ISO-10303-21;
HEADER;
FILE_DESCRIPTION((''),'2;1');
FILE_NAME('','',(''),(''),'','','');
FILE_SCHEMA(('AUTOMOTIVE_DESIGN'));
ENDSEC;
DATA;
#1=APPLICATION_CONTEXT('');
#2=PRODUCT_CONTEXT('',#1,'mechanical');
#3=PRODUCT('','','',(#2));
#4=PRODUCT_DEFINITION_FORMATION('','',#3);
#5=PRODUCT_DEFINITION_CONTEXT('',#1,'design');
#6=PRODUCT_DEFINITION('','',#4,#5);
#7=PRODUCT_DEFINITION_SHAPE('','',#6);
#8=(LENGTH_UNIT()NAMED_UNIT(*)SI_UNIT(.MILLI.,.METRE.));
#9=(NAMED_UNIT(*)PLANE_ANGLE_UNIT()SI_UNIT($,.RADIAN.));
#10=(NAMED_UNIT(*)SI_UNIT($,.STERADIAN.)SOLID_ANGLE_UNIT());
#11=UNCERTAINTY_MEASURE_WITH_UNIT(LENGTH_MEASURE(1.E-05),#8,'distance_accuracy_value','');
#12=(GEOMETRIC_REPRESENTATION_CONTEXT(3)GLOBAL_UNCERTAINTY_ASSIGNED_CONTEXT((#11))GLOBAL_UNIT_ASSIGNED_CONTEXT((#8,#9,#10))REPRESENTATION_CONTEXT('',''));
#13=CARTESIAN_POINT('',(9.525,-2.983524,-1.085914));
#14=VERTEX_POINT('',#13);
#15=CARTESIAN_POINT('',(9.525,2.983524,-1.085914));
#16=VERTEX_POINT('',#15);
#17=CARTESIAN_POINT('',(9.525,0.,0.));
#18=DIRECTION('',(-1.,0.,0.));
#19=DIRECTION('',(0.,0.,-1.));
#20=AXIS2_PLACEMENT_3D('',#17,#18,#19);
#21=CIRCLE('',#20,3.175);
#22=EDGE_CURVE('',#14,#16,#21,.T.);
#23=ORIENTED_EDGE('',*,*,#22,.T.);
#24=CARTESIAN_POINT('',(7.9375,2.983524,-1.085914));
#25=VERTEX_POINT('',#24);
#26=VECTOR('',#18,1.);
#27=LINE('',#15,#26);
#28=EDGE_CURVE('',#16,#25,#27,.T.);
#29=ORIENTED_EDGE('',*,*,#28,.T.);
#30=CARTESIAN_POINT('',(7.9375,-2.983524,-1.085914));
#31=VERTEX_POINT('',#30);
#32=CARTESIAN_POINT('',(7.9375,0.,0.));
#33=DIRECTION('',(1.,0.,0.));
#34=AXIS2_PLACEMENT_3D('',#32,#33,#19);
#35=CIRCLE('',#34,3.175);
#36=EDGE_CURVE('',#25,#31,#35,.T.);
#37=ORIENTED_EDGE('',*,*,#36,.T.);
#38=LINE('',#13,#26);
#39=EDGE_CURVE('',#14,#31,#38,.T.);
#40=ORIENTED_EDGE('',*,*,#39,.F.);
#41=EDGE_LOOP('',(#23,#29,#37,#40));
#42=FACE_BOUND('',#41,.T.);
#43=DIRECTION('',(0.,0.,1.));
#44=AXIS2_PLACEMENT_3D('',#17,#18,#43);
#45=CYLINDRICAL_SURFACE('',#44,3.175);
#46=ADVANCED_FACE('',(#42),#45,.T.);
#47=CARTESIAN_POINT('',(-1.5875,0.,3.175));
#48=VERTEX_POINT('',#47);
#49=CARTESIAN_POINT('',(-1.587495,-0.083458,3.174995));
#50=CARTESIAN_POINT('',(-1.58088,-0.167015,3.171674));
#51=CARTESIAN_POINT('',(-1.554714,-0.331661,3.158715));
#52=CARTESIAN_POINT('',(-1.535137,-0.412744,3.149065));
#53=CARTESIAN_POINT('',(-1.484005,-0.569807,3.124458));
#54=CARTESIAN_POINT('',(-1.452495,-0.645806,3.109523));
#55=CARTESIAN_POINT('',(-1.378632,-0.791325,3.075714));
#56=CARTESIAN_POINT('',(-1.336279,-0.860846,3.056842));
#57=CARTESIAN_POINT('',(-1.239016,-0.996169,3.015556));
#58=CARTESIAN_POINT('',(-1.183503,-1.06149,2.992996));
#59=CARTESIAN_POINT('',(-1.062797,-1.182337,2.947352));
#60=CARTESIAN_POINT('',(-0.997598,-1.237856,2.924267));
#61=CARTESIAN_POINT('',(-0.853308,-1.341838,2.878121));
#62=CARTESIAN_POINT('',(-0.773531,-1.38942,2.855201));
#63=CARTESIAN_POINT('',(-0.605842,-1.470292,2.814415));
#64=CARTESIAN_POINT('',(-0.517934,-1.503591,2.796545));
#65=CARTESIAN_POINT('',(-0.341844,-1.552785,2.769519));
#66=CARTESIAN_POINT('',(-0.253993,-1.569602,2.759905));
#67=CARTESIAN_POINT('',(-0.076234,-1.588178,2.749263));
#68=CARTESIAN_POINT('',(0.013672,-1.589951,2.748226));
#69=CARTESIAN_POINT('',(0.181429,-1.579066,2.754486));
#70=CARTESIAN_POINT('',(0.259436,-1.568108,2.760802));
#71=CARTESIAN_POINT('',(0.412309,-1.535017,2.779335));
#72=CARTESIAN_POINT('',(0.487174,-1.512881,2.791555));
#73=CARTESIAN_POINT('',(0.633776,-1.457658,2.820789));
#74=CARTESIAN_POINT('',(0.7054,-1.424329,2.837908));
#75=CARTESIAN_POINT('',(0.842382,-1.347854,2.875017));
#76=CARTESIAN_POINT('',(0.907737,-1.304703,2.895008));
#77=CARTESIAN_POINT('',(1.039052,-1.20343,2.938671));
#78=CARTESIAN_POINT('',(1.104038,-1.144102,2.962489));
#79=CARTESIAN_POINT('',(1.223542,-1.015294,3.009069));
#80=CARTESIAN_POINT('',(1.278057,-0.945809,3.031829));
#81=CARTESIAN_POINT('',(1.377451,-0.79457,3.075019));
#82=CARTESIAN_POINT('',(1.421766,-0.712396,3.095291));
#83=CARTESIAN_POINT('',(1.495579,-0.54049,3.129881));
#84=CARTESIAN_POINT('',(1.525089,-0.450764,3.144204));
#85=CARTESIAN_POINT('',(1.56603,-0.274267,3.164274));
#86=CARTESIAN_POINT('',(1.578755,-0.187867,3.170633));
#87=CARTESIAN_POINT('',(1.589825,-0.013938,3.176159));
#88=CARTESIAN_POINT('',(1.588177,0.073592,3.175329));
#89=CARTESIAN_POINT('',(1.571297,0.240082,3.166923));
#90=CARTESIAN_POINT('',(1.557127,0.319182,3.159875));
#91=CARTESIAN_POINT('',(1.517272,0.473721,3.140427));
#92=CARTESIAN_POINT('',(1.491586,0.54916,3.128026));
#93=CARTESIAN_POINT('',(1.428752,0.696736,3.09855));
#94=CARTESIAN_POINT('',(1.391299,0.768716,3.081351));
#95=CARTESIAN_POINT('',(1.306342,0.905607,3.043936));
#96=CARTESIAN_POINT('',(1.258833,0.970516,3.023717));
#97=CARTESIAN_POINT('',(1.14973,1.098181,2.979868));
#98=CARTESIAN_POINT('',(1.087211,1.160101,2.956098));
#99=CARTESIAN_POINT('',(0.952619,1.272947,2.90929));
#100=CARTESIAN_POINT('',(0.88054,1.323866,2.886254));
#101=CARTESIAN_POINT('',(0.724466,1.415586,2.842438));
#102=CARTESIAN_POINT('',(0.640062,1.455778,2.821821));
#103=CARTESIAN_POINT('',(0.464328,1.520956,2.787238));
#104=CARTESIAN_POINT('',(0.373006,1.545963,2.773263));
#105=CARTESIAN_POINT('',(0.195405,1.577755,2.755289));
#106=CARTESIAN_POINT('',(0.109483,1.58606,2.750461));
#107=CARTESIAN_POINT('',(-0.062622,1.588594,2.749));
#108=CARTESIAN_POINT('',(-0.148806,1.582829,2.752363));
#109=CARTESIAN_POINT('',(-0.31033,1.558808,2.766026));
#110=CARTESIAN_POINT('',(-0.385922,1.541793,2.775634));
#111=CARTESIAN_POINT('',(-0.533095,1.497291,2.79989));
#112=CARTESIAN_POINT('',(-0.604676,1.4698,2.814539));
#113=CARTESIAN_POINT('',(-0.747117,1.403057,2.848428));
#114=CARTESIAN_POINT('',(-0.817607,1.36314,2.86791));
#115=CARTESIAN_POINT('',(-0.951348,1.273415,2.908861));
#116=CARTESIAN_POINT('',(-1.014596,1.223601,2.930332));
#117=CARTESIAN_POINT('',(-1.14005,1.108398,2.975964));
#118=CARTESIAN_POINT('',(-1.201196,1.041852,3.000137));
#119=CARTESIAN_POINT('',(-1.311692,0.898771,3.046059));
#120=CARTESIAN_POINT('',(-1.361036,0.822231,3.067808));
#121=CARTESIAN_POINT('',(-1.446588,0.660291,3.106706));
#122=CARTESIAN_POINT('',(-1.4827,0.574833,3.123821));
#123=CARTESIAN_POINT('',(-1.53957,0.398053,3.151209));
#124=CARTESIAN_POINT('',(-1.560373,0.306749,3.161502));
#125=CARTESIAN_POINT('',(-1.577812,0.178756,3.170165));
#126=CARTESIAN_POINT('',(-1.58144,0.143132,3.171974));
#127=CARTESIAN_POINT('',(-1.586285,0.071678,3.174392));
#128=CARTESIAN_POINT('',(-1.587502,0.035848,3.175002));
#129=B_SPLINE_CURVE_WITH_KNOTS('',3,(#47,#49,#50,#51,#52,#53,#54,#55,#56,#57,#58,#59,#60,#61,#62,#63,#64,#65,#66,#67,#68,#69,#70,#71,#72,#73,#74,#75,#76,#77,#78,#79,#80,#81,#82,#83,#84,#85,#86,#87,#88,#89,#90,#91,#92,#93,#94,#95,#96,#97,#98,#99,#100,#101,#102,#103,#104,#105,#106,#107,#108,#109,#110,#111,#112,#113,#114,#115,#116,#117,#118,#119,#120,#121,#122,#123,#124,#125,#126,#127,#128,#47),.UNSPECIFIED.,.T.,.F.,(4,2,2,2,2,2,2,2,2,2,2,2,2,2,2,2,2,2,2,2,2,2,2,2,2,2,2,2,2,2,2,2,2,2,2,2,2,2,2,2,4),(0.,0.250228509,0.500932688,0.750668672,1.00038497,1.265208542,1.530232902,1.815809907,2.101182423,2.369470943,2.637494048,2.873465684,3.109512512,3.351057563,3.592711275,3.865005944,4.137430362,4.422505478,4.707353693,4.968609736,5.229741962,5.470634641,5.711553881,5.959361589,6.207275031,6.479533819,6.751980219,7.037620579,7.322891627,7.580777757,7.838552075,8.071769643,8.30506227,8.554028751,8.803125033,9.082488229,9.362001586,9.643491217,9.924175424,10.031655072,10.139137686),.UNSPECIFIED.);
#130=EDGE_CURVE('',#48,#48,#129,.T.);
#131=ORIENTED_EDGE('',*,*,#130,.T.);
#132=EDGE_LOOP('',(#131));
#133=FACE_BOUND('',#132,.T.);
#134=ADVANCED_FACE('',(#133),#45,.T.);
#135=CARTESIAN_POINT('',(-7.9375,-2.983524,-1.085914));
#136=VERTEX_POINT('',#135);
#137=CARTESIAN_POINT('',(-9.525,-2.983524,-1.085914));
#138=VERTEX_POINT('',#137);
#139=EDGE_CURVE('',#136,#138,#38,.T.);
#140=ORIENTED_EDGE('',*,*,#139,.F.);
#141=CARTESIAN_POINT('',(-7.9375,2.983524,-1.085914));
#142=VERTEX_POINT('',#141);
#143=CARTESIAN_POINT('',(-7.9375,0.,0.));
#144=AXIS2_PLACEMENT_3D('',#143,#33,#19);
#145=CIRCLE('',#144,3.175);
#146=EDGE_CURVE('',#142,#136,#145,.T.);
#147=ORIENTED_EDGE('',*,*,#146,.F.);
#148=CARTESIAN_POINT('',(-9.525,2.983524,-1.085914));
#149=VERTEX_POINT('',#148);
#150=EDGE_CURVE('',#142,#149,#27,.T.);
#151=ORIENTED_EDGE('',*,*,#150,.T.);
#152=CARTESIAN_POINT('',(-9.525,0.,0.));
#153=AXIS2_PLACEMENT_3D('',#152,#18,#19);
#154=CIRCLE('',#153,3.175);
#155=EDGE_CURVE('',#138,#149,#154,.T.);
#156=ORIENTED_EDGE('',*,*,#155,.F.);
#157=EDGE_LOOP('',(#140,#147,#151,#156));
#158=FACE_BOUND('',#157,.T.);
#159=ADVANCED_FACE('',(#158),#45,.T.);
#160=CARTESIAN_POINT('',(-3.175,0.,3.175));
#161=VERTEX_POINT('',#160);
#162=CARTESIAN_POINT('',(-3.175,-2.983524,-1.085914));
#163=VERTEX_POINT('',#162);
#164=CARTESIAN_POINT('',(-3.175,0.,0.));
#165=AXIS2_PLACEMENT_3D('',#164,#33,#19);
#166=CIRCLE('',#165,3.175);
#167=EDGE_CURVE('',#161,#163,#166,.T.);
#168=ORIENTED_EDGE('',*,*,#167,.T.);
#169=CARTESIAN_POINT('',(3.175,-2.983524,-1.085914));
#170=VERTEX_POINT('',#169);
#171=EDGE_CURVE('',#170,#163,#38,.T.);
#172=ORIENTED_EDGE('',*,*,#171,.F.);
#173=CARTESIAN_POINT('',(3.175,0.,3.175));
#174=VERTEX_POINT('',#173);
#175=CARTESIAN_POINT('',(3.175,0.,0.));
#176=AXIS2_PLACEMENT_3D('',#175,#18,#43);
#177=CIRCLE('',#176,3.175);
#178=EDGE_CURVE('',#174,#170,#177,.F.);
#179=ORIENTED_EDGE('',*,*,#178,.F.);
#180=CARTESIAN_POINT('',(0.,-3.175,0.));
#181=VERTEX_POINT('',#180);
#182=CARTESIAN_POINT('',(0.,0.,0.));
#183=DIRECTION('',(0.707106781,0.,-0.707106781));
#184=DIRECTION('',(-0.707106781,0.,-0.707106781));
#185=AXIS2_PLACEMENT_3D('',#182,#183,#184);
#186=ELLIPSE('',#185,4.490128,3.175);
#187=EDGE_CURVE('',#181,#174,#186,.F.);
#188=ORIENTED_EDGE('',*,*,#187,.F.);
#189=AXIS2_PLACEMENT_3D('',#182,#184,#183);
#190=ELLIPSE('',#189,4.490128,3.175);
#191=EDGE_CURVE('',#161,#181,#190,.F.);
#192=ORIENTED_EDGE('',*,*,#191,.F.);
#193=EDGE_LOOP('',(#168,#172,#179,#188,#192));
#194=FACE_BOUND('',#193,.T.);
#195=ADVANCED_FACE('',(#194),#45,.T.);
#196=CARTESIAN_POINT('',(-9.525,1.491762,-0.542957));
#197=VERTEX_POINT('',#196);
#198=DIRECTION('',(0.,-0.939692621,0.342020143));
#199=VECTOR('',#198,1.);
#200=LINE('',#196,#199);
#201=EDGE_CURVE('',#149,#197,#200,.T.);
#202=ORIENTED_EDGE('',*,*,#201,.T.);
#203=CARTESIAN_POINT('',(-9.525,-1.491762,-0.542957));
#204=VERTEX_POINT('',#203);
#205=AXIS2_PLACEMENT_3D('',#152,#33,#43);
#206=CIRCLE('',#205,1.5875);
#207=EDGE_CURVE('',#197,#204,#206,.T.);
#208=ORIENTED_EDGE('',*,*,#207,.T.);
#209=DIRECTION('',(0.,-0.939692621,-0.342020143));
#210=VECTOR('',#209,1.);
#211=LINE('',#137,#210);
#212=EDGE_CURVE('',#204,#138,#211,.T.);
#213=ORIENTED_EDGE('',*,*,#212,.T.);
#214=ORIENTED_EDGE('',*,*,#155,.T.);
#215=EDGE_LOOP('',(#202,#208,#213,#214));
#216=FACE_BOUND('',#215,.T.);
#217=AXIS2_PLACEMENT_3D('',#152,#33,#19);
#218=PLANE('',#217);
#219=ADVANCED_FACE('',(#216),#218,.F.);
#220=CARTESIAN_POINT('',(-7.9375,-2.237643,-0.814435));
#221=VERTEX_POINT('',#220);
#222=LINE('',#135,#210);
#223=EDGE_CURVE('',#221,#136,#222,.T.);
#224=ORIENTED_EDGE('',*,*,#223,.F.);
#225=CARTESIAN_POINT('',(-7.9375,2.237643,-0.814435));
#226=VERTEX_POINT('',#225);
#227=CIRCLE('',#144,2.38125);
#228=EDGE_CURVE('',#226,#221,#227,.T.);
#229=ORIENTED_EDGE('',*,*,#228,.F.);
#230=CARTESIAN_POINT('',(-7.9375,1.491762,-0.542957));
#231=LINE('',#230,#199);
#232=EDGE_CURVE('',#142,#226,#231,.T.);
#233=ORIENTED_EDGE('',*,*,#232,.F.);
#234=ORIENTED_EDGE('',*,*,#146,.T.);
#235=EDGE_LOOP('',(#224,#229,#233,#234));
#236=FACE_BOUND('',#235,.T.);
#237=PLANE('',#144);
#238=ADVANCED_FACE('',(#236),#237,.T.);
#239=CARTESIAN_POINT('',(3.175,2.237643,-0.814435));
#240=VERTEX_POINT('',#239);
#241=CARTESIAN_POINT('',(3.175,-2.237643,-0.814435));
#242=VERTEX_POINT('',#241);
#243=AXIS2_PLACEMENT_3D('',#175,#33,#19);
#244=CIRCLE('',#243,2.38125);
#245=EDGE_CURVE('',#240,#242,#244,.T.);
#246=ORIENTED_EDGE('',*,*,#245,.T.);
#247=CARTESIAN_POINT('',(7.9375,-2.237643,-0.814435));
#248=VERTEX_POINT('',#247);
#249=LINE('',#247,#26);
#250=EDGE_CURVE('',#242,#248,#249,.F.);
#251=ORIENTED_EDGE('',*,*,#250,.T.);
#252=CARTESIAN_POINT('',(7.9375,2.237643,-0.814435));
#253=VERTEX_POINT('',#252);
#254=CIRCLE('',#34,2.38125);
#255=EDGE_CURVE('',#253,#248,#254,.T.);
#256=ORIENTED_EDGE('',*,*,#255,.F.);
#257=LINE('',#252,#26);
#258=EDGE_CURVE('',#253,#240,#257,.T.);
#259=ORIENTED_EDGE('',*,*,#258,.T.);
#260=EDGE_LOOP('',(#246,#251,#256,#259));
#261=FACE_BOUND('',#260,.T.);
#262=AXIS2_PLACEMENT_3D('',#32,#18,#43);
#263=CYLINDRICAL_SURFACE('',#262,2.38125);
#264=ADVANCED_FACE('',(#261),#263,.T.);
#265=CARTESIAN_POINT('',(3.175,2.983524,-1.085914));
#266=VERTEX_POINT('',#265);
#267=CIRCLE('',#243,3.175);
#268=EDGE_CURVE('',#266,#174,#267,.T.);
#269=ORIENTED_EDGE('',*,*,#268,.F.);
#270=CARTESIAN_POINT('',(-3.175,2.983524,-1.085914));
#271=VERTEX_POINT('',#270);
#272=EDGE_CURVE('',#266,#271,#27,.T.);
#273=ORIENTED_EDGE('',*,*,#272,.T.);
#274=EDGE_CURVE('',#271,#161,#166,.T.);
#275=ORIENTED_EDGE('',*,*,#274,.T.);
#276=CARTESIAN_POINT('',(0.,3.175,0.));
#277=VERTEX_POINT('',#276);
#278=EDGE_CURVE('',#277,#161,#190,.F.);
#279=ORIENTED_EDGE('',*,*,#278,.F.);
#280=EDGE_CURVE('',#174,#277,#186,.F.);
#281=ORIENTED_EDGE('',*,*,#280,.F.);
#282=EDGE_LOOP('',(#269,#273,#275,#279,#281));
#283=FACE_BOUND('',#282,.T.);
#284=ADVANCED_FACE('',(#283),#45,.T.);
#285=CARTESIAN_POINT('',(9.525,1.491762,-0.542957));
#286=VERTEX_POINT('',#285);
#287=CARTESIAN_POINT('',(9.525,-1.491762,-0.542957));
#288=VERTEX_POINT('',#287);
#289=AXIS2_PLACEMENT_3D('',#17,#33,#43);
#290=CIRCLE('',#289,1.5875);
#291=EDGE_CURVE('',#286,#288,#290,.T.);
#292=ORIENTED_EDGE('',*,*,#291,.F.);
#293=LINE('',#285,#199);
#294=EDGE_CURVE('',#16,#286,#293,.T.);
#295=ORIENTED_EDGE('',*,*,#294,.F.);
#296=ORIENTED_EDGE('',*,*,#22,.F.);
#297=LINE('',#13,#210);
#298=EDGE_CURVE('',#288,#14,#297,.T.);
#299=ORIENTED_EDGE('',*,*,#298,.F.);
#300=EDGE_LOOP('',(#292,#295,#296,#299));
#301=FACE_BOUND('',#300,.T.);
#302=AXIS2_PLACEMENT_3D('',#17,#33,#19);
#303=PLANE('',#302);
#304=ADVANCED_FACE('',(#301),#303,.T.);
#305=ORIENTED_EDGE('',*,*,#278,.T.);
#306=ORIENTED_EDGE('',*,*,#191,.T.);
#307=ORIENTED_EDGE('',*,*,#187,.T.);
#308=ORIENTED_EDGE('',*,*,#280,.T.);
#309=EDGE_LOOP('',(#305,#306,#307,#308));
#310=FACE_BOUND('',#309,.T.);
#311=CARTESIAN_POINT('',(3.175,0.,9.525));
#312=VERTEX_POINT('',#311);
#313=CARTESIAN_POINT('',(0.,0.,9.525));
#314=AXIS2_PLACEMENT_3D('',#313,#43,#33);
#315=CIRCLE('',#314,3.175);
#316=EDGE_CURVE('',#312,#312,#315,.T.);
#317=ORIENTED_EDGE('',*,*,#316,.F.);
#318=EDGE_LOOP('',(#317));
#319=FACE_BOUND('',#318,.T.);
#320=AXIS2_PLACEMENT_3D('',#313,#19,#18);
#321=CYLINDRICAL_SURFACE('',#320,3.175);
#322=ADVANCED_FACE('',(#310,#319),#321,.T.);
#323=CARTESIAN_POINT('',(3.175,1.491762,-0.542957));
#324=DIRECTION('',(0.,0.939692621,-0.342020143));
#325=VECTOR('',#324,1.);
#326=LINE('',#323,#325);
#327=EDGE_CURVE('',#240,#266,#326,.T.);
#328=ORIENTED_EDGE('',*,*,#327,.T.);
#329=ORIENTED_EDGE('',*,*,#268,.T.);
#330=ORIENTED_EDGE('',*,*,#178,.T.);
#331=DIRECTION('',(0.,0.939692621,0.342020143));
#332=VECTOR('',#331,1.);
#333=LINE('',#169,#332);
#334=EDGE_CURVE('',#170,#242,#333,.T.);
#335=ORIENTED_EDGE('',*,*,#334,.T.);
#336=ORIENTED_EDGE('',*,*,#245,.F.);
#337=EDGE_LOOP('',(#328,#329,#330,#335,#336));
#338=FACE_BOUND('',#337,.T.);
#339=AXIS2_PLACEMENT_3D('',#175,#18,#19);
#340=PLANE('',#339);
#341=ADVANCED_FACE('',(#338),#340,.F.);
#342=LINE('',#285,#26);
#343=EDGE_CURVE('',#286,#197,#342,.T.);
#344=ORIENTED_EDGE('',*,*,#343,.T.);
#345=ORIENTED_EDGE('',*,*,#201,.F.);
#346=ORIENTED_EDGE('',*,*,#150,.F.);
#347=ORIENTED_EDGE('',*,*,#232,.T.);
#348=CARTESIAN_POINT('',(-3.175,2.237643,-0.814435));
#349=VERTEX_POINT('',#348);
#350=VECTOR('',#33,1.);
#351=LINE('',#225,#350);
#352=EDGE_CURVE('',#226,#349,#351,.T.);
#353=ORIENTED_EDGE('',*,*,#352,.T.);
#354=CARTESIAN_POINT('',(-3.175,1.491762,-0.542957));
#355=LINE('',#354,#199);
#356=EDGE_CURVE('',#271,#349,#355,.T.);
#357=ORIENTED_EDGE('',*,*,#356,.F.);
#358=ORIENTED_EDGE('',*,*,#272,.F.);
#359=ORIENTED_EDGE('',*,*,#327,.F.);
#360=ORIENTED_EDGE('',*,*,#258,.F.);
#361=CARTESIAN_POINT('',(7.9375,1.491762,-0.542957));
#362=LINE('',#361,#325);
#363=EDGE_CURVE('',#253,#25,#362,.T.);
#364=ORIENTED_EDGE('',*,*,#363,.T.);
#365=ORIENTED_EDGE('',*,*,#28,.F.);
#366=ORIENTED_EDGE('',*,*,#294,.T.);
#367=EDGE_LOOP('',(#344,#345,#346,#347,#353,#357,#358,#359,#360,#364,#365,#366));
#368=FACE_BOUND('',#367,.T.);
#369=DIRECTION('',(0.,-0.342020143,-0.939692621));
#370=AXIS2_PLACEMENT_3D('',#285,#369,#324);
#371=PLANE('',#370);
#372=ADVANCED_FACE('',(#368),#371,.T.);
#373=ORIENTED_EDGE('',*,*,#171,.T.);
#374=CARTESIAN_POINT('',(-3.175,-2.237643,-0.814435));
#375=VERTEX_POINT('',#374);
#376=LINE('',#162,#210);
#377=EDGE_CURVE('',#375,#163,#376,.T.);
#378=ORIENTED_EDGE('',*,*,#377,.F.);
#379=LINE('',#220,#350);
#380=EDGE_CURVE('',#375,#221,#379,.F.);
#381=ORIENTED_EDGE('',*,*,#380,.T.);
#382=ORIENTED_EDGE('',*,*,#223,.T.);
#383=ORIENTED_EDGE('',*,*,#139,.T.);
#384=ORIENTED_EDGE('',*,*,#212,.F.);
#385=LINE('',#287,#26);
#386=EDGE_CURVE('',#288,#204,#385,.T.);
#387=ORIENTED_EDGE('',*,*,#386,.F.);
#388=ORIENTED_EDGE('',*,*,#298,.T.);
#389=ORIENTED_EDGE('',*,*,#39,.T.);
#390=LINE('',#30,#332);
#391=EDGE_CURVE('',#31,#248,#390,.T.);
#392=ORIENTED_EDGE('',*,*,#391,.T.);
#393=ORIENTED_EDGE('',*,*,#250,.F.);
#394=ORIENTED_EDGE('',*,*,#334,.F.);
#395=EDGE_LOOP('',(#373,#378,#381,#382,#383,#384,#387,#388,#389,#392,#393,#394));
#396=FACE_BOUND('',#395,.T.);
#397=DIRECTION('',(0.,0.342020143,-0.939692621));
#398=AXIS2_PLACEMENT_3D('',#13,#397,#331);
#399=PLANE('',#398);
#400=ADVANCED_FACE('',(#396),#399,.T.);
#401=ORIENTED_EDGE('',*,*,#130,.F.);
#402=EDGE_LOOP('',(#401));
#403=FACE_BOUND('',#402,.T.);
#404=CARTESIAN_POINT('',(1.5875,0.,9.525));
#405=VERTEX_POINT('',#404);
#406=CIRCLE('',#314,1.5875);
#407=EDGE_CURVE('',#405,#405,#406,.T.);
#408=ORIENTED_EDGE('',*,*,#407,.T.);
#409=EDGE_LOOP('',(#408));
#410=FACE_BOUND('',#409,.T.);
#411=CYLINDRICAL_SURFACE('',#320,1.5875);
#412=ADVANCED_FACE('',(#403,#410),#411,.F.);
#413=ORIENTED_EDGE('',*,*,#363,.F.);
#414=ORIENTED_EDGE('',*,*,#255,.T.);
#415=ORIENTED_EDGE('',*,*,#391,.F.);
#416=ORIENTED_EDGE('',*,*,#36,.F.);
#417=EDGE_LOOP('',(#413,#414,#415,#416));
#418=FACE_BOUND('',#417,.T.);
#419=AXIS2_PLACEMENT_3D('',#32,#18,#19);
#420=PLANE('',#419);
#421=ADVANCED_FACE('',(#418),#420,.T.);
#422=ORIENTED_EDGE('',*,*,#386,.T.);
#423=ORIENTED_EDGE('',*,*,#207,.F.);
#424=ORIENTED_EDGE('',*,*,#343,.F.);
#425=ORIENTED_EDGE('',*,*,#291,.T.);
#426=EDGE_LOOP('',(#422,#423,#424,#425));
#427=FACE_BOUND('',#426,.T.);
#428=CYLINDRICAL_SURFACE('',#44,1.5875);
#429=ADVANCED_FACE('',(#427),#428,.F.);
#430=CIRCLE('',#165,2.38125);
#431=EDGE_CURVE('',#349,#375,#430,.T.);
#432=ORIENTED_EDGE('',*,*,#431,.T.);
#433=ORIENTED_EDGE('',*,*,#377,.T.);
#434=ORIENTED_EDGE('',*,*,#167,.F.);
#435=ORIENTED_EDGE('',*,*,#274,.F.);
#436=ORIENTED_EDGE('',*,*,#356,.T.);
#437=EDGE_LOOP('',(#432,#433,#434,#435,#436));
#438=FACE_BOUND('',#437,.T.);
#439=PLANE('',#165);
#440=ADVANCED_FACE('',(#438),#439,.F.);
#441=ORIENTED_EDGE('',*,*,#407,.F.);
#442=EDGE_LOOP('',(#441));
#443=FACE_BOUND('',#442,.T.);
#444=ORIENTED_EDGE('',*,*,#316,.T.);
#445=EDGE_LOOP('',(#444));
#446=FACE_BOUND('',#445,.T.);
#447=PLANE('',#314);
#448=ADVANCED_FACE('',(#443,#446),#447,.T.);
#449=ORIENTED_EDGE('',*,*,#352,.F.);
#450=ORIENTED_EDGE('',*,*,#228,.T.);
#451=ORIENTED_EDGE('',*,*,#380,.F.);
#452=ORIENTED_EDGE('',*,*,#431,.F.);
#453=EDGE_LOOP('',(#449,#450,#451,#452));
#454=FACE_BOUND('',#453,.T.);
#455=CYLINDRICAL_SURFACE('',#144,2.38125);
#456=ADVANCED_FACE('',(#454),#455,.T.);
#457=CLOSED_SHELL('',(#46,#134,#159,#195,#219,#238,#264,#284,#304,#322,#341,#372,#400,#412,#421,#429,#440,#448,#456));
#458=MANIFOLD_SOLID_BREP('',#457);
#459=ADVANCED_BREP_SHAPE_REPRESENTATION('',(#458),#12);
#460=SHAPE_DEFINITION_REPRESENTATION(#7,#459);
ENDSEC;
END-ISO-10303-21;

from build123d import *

# Parameters (mm, degrees)
SKETCH1_R           = 3.175
SKETCH1_R_2         = 1.5875
BOSS_EXTRUDE1_DEPTH = 9.525
BOSS_EXTRUDE2_DEPTH = 19.05
SKETCH4_R           = 1.5875
CUT_EXTRUDE1_DEPTH  = 22.533897829
CUT_EXTRUDE2_START  = -7.9375
SKETCH5_R           = 3.175
SKETCH5_R_2         = 2.38125
CUT_EXTRUDE2_DEPTH  = 4.7625


with BuildPart() as part:
    # Sketch1 → Boss-Extrude1 (new body)
    with BuildSketch(Plane.XY):
        Circle(SKETCH1_R)
        Circle(SKETCH1_R_2, mode=Mode.SUBTRACT)
    extrude(amount=BOSS_EXTRUDE1_DEPTH)

    # Sketch3 → Boss-Extrude2 (add)
    with BuildSketch(Plane.ZY.offset(9.525)):
        with BuildLine():
            Line((-1.085913955, -2.983524071), (-0.542956978, -1.491762035))
            ThreePointArc((-0.542956978, -1.491762035), (1.5875, 0), (-0.542956978, 1.491762035))
            Line((-0.542956978, 1.491762035), (-1.085913955, 2.983524071))
            ThreePointArc((-1.085913955, 2.983524071), (3.175, 0), (-1.085913955, -2.983524071))
        make_face()
    extrude(amount=-BOSS_EXTRUDE2_DEPTH)

    # Sketch4 → Cut-Extrude1 (cut, through all)
    with BuildSketch(Plane.ZY.offset(9.525)):
        Circle(SKETCH4_R)
    extrude(amount=-CUT_EXTRUDE1_DEPTH, mode=Mode.SUBTRACT)

    # Sketch5 → Cut-Extrude2 (cut)
    with BuildSketch(Plane(origin=(0, 0, 0), x_dir=(0, 0, -1), z_dir=(1, 0, 0)).offset(CUT_EXTRUDE2_START)):
        Circle(SKETCH5_R)
        Circle(SKETCH5_R_2, mode=Mode.SUBTRACT)
    cut_extrude2 = extrude(amount=CUT_EXTRUDE2_DEPTH, mode=Mode.SUBTRACT)

    # Mirror1: Cut-Extrude2 across plane
    add(cut_extrude2.mirror(Plane(origin=(0, 0, 0), x_dir=(0, 0, 1), z_dir=(1, 0, 0))), mode=Mode.SUBTRACT)


solid = part.part
